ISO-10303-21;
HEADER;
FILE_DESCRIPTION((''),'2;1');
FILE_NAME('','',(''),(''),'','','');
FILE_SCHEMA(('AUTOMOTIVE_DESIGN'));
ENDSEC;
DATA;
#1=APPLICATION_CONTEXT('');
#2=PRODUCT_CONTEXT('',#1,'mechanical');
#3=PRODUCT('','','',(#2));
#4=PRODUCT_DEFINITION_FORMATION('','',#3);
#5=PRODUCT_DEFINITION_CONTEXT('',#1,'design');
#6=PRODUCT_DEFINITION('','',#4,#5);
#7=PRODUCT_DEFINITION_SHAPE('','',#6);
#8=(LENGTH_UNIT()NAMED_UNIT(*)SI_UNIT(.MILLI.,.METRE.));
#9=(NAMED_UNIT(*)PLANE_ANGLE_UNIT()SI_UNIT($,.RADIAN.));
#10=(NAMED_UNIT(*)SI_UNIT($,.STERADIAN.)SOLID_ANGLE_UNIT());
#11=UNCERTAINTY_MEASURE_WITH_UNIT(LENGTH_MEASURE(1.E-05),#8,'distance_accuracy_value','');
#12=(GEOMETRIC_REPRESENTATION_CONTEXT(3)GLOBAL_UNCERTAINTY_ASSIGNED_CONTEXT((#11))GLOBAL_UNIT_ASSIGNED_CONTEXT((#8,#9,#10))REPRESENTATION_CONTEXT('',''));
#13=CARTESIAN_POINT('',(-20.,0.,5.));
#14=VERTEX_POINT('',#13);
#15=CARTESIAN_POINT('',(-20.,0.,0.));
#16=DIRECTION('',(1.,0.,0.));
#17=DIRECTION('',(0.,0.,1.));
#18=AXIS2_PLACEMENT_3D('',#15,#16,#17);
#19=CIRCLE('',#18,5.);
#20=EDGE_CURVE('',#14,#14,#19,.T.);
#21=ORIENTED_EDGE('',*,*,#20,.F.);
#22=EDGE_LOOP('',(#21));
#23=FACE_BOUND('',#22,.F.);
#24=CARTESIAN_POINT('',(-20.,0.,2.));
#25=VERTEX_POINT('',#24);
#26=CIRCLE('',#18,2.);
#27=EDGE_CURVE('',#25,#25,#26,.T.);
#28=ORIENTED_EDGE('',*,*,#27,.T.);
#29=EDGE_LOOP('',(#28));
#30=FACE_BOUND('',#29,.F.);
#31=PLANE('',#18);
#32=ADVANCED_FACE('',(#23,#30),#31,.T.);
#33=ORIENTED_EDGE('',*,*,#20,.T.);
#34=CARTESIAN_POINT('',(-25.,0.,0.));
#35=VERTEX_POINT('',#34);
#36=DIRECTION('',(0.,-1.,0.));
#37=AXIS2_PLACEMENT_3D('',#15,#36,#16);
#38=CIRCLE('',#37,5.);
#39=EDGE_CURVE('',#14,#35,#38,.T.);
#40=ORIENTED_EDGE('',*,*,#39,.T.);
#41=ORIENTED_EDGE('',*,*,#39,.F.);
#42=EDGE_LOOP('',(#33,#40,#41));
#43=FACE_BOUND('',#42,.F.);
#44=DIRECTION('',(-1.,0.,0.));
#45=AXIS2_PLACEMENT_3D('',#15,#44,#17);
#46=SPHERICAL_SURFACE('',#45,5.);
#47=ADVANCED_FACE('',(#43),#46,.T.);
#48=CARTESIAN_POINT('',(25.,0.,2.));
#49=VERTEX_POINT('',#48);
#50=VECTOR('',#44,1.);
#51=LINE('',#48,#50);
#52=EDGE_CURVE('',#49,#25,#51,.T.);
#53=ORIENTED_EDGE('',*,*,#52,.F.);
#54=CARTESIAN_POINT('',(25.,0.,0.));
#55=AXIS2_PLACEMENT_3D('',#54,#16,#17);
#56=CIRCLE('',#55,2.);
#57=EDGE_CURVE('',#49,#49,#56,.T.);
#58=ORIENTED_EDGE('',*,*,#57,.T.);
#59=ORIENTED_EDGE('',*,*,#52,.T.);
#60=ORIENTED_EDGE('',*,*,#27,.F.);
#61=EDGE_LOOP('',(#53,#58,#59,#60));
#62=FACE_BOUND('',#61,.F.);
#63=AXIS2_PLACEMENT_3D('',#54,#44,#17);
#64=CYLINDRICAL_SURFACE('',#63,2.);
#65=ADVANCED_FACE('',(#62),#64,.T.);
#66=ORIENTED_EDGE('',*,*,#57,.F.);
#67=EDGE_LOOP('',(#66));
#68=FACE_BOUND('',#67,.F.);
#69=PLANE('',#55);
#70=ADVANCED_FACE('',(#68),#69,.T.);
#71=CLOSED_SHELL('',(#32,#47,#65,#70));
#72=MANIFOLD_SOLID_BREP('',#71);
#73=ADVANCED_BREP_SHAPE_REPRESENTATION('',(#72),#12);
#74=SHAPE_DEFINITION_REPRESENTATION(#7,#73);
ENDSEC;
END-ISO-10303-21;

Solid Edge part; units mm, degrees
sketch "Sketch1" plane through (10.8674, 0, 10.8674) normal (0, -1, 0) x (1, 0, 0)
  line L0 (14.1326, -10.8674) -> (14.1326, -8.8674)
  line L1 (14.1326, -8.8674) -> (-30.8674, -8.8674)
  line L2 (-30.8674, -8.8674) -> (-30.8674, -5.8674)
  arc A0 (-30.8674, -5.8674) -> (-35.8674, -10.8674) centre (-30.8674, -10.8674) ccw
  dimension "D1" = 47
  dimension "D2" = 45
revolve "RevolvedProtrusion1" add sketch "Sketch1" angle 360 about axis through (-30, 0, 0) along (1, 0, 0)
properties material "Steel"
